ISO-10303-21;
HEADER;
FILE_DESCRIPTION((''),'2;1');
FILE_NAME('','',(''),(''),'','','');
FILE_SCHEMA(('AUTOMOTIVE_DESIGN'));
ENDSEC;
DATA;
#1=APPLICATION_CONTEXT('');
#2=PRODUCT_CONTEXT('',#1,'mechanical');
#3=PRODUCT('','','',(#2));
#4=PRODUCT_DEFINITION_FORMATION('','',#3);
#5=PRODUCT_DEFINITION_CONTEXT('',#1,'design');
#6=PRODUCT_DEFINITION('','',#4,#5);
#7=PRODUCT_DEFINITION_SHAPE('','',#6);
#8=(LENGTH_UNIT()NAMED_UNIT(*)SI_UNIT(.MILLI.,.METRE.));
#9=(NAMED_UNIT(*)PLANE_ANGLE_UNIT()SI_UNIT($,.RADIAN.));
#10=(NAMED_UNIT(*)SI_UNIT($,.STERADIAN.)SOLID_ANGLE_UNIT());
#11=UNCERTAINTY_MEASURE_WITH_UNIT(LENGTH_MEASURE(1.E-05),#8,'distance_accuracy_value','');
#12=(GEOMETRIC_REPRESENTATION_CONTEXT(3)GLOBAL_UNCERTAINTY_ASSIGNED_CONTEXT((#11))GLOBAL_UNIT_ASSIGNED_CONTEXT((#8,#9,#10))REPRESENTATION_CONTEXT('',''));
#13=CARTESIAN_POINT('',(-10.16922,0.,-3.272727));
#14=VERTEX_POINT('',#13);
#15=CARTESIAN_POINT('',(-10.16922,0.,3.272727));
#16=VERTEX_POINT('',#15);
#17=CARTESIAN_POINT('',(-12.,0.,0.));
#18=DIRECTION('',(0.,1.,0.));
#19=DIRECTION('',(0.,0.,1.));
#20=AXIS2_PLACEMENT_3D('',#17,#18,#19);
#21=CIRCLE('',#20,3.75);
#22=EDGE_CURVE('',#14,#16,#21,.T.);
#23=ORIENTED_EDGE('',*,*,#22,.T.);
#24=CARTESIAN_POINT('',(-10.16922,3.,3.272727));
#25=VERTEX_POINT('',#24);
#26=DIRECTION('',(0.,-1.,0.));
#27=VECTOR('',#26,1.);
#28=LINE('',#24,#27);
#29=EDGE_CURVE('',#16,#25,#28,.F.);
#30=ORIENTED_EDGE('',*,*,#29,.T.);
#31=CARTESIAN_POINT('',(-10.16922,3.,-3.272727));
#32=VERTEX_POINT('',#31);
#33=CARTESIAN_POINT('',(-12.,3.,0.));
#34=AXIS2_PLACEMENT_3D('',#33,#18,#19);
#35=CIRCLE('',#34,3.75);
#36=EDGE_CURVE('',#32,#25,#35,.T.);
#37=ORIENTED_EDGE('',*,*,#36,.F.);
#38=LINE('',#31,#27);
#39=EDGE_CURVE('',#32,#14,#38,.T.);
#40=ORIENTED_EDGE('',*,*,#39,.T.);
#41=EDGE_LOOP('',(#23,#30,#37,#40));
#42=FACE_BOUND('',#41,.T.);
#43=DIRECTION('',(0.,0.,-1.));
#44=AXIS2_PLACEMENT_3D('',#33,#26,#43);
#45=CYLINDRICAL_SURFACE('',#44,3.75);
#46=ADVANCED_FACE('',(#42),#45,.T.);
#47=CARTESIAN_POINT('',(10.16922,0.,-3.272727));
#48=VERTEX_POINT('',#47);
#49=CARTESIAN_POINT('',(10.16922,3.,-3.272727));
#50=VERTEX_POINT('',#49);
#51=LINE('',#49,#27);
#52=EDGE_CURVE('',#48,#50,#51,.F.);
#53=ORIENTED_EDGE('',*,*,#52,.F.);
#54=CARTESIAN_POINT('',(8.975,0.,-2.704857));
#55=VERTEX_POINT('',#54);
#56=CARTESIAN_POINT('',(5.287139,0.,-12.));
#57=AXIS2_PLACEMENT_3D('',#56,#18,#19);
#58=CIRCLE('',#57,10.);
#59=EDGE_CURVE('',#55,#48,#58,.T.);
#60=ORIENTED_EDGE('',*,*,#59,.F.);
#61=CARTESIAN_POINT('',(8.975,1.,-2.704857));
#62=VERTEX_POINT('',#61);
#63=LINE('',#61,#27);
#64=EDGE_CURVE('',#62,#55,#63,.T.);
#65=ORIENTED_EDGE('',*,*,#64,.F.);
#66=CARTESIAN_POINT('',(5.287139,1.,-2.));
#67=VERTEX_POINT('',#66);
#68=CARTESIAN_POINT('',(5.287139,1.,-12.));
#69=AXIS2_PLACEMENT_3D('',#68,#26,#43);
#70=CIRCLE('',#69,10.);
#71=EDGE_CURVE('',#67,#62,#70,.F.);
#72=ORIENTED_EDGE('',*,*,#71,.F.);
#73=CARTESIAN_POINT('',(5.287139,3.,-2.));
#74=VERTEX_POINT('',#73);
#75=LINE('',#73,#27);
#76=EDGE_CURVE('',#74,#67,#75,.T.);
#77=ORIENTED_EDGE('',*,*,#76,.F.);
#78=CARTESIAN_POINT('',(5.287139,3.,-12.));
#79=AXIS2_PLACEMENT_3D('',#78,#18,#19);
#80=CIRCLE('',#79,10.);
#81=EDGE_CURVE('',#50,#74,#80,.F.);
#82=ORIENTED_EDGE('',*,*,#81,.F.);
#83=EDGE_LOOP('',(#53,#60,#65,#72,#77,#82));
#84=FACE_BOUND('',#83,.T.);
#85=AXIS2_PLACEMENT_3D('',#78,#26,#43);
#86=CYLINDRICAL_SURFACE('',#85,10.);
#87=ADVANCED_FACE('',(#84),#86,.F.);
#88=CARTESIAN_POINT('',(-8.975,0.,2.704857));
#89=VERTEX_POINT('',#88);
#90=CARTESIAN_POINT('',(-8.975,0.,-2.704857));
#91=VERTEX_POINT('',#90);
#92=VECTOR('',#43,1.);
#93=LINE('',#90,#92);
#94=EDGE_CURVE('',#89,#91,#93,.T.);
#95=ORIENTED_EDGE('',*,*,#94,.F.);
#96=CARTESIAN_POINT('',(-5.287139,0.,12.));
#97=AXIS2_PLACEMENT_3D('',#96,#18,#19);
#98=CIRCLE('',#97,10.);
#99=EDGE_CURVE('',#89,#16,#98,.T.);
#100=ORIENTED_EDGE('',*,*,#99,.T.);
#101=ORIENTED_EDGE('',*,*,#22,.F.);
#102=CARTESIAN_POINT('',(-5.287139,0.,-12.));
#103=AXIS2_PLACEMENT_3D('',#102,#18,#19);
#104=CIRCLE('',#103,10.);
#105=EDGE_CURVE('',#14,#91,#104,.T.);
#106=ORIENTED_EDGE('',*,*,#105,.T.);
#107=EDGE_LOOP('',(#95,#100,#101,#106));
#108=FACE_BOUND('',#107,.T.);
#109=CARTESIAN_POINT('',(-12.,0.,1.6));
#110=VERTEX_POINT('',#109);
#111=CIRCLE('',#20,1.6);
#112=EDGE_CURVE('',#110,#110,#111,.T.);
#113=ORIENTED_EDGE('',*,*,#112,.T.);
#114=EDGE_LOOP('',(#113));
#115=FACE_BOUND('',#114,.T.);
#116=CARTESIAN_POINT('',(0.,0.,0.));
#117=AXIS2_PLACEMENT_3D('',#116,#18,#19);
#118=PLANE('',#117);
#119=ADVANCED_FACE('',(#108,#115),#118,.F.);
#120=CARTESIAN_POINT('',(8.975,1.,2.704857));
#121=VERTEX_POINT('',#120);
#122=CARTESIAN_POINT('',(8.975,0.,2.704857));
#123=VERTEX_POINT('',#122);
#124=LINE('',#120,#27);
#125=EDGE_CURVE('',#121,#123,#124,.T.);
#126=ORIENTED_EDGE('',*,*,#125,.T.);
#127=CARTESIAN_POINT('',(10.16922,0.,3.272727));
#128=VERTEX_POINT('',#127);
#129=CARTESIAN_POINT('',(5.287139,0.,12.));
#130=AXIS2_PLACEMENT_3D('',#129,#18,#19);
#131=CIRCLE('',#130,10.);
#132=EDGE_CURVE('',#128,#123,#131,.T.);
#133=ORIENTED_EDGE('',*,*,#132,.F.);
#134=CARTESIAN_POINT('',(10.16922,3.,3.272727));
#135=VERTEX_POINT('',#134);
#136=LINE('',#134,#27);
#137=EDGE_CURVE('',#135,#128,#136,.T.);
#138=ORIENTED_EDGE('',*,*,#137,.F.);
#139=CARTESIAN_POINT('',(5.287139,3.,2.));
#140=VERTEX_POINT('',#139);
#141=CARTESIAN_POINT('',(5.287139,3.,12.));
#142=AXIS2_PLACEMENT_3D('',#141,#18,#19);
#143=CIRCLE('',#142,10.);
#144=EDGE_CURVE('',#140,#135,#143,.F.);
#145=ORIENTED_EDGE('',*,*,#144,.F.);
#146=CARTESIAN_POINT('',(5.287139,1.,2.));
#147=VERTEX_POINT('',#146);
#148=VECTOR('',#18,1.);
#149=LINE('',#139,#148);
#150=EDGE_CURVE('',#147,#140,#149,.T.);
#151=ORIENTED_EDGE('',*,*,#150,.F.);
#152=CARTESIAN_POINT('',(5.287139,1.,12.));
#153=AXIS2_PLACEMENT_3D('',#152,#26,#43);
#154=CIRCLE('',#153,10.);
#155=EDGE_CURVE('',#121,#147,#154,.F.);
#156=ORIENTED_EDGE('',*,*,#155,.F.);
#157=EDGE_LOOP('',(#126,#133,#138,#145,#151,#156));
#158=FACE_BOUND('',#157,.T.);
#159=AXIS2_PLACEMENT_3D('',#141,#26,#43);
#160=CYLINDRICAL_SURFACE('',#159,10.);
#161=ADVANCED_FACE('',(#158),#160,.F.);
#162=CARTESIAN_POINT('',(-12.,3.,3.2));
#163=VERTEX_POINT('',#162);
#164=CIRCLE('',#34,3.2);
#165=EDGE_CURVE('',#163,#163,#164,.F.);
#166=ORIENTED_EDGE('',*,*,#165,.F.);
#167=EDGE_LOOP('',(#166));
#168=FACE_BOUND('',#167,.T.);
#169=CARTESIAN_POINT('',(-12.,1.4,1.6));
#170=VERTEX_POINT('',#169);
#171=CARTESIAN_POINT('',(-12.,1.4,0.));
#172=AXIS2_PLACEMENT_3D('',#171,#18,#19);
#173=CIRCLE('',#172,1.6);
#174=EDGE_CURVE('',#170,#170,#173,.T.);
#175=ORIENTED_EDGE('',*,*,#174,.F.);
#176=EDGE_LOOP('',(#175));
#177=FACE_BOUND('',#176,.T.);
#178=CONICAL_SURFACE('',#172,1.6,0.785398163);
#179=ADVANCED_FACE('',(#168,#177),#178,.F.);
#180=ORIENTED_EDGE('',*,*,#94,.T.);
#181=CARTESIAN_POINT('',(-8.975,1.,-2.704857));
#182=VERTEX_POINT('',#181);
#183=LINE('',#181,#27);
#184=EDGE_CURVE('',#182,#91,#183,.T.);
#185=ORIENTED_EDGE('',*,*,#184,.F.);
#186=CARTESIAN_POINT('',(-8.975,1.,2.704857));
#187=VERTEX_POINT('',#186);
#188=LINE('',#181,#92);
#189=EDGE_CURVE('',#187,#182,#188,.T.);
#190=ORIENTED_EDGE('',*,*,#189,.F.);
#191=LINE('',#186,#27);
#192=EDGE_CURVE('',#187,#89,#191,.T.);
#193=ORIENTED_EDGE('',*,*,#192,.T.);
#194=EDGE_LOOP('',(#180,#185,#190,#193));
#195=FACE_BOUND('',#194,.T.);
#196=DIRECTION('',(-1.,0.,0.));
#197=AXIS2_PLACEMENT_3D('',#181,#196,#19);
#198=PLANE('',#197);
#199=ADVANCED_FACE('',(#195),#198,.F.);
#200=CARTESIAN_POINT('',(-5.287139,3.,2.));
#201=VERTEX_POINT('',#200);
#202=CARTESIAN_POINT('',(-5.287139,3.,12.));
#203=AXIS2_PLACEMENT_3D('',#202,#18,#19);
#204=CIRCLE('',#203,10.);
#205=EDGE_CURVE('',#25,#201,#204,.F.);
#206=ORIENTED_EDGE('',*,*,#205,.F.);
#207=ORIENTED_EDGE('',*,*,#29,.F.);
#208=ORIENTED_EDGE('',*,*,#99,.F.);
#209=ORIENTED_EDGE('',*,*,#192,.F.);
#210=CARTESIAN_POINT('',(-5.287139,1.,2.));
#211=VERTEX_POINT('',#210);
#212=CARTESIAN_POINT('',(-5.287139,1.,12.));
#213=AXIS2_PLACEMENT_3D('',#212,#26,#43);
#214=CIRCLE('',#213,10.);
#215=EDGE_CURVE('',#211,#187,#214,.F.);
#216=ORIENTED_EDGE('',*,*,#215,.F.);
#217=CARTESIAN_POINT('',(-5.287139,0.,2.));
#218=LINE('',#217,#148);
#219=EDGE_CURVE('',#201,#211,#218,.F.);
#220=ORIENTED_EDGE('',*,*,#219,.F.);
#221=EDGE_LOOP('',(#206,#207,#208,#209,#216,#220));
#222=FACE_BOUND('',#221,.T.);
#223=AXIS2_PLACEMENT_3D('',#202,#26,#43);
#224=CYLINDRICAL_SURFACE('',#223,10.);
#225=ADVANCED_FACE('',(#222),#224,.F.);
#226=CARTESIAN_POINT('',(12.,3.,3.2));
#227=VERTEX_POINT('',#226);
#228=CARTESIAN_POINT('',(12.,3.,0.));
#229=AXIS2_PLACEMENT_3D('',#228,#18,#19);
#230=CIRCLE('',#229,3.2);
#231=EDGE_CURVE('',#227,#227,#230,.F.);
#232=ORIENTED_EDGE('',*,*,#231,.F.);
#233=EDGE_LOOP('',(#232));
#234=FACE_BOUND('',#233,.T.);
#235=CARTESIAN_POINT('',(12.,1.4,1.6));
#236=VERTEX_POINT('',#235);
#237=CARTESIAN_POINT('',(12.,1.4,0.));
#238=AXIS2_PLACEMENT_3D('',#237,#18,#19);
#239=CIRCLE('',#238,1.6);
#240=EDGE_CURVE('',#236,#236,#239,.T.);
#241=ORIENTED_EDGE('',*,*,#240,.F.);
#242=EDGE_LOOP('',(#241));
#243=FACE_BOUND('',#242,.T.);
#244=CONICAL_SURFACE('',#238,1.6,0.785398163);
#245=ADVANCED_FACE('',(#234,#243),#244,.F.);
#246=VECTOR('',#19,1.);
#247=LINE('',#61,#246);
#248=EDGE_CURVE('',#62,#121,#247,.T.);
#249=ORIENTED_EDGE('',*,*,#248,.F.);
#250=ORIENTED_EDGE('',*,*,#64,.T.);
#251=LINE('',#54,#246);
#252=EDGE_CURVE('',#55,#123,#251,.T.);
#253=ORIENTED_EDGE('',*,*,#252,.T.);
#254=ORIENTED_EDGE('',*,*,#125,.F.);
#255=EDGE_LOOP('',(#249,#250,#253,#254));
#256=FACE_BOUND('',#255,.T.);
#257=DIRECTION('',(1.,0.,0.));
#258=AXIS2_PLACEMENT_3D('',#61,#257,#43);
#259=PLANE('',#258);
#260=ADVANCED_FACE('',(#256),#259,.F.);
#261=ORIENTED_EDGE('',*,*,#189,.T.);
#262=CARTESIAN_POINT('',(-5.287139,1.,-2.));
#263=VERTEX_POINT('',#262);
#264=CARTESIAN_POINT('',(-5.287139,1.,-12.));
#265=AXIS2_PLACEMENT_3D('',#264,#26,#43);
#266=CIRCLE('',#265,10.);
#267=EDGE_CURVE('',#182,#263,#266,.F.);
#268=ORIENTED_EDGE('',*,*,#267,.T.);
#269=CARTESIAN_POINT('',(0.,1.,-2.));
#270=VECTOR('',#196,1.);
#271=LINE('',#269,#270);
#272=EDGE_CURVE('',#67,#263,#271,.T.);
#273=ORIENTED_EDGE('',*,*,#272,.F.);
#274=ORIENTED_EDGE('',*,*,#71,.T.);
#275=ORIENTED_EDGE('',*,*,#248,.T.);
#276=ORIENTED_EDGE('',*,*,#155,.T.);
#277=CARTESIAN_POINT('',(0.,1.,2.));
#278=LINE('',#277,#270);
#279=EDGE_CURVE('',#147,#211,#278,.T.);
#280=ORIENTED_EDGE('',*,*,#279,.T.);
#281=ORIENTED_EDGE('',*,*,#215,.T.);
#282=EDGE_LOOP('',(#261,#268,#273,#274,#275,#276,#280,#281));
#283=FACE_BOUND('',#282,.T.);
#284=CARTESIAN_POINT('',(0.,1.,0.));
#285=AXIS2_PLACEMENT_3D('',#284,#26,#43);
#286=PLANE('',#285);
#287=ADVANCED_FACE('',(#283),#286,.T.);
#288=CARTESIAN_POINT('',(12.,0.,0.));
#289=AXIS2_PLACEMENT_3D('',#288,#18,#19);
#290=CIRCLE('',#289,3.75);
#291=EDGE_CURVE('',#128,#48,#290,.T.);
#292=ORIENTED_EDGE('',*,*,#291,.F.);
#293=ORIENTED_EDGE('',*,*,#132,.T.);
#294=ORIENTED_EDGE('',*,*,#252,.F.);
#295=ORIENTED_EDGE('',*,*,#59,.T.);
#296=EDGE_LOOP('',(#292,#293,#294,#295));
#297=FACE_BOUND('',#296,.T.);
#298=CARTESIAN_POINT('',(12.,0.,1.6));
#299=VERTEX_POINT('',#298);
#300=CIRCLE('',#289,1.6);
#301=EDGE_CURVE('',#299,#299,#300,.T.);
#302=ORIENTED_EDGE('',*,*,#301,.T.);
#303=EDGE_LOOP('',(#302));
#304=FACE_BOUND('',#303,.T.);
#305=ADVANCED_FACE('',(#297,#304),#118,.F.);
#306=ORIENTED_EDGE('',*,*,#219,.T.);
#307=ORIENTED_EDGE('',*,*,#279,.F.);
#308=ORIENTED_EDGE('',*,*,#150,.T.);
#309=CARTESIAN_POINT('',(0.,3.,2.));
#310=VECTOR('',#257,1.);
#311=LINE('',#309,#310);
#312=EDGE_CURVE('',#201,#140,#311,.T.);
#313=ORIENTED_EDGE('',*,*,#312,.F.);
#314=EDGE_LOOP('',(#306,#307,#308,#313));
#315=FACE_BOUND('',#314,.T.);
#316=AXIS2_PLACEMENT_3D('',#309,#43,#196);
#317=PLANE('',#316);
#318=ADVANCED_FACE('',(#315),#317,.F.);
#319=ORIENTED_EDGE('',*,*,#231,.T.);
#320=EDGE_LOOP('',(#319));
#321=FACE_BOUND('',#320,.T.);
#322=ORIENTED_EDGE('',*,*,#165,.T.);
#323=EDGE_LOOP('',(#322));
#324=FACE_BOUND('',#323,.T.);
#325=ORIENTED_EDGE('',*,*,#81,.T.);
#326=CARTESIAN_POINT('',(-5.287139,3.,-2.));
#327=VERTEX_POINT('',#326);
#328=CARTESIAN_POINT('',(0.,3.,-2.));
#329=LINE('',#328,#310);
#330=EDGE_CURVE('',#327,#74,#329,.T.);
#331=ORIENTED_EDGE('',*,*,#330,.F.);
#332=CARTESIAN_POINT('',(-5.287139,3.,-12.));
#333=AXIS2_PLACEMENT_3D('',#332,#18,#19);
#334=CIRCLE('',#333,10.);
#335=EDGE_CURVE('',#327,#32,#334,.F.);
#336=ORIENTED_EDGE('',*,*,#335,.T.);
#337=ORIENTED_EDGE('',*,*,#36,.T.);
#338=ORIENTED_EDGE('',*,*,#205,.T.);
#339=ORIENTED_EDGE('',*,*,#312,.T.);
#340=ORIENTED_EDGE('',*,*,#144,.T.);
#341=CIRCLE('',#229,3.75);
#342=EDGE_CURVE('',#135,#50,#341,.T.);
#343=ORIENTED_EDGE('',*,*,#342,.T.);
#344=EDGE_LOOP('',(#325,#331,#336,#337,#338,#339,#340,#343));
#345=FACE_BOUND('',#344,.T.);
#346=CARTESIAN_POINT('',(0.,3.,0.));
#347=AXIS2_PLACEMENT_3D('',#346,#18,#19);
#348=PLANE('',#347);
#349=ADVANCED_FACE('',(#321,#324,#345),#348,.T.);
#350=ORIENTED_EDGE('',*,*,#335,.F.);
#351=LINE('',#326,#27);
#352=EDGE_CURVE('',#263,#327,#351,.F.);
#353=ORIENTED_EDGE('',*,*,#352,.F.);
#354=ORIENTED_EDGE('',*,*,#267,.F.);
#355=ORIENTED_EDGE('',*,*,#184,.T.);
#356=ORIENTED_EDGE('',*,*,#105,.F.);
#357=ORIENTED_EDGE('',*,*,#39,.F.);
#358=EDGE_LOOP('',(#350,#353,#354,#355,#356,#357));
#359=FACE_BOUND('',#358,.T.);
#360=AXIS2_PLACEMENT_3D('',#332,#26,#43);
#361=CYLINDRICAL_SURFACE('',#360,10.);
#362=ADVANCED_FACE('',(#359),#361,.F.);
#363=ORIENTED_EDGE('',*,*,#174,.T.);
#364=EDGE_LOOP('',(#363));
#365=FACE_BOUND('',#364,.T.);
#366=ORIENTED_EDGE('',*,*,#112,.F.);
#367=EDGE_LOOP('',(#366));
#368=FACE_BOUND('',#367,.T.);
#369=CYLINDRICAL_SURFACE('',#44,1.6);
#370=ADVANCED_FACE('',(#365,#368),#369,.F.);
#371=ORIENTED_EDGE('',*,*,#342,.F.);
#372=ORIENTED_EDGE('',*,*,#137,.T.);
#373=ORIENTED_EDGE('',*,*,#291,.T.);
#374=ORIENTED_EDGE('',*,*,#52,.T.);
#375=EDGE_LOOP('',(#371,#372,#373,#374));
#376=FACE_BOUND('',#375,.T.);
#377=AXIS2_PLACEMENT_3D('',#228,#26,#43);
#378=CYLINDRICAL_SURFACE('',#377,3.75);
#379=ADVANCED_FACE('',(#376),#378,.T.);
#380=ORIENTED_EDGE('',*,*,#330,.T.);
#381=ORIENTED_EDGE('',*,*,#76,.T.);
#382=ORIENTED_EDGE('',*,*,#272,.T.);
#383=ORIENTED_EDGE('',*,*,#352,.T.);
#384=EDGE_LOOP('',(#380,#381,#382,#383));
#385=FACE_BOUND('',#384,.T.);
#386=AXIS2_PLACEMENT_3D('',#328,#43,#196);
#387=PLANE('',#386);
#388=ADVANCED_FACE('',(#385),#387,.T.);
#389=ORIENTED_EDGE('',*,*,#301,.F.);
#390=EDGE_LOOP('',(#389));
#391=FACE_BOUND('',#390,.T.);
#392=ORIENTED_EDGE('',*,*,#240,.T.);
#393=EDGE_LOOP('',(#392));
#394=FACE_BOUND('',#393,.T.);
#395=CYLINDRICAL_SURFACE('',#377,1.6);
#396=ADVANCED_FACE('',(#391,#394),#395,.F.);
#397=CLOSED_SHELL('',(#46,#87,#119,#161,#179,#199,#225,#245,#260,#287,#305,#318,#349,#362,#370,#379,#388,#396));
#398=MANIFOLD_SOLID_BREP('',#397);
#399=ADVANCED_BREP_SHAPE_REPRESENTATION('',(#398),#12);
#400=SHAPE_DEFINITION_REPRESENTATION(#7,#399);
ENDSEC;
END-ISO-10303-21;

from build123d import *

# Parameters (mm, degrees)
SKETCH1_R           = 1.6
BOSS_EXTRUDE1_DEPTH = 3
CHAMFER1_SIZE       = 1.6
FILLET1_R           = 10
SKETCH2_W           = 17.95
SKETCH2_H           = 5.409714066
CUT_EXTRUDE1_DEPTH  = 1


with BuildPart() as part:
    # Sketch1 → Boss-Extrude1 (new body)
    with BuildSketch(Plane(origin=(0, 0, 0), x_dir=(1, 0, 0), z_dir=(0, 1, 0))):
        with BuildLine():
            Line((8.827855615, 2), (-8.827855615, 2))
            ThreePointArc((-8.827855615, 2), (-15.75, 0), (-8.827855615, -2))
            Line((-8.827855615, -2), (8.827855615, -2))
            ThreePointArc((8.827855615, -2), (15.75, 0), (8.827855615, 2))
        make_face()
        with Locations(Location((-12, 0, 0), (0, 0, 270))):
            Circle(SKETCH1_R, mode=Mode.SUBTRACT)
        with Locations(Location((12, 0, 0), (0, 0, 270))):
            Circle(SKETCH1_R, mode=Mode.SUBTRACT)
    extrude(amount=BOSS_EXTRUDE1_DEPTH)

    # Chamfer1
    chamfer1_edges = [part.edges().sort_by_distance(p)[0] for p in [
        (12, 3, -1.6),
        (-12, 3, -1.6),
    ]]
    chamfer(chamfer1_edges, length=CHAMFER1_SIZE)

    # Fillet1
    fillet1_edges = [part.edges().sort_by_distance(p)[0] for p in [
        (-8.827855615, 1.5, -2),
        (8.827855615, 1.5, -2),
        (8.827855615, 1.5, 2),
        (-8.827855615, 1.5, 2),
    ]]
    fillet(fillet1_edges, radius=FILLET1_R)

    # Sketch2 → Cut-Extrude1 (cut)
    with BuildSketch(Plane(origin=(0, 0, 0), x_dir=(-1, 0, 0), z_dir=(0, -1, 0))):
        Rectangle(SKETCH2_W, SKETCH2_H)
    extrude(amount=-CUT_EXTRUDE1_DEPTH, mode=Mode.SUBTRACT)


solid = part.part
